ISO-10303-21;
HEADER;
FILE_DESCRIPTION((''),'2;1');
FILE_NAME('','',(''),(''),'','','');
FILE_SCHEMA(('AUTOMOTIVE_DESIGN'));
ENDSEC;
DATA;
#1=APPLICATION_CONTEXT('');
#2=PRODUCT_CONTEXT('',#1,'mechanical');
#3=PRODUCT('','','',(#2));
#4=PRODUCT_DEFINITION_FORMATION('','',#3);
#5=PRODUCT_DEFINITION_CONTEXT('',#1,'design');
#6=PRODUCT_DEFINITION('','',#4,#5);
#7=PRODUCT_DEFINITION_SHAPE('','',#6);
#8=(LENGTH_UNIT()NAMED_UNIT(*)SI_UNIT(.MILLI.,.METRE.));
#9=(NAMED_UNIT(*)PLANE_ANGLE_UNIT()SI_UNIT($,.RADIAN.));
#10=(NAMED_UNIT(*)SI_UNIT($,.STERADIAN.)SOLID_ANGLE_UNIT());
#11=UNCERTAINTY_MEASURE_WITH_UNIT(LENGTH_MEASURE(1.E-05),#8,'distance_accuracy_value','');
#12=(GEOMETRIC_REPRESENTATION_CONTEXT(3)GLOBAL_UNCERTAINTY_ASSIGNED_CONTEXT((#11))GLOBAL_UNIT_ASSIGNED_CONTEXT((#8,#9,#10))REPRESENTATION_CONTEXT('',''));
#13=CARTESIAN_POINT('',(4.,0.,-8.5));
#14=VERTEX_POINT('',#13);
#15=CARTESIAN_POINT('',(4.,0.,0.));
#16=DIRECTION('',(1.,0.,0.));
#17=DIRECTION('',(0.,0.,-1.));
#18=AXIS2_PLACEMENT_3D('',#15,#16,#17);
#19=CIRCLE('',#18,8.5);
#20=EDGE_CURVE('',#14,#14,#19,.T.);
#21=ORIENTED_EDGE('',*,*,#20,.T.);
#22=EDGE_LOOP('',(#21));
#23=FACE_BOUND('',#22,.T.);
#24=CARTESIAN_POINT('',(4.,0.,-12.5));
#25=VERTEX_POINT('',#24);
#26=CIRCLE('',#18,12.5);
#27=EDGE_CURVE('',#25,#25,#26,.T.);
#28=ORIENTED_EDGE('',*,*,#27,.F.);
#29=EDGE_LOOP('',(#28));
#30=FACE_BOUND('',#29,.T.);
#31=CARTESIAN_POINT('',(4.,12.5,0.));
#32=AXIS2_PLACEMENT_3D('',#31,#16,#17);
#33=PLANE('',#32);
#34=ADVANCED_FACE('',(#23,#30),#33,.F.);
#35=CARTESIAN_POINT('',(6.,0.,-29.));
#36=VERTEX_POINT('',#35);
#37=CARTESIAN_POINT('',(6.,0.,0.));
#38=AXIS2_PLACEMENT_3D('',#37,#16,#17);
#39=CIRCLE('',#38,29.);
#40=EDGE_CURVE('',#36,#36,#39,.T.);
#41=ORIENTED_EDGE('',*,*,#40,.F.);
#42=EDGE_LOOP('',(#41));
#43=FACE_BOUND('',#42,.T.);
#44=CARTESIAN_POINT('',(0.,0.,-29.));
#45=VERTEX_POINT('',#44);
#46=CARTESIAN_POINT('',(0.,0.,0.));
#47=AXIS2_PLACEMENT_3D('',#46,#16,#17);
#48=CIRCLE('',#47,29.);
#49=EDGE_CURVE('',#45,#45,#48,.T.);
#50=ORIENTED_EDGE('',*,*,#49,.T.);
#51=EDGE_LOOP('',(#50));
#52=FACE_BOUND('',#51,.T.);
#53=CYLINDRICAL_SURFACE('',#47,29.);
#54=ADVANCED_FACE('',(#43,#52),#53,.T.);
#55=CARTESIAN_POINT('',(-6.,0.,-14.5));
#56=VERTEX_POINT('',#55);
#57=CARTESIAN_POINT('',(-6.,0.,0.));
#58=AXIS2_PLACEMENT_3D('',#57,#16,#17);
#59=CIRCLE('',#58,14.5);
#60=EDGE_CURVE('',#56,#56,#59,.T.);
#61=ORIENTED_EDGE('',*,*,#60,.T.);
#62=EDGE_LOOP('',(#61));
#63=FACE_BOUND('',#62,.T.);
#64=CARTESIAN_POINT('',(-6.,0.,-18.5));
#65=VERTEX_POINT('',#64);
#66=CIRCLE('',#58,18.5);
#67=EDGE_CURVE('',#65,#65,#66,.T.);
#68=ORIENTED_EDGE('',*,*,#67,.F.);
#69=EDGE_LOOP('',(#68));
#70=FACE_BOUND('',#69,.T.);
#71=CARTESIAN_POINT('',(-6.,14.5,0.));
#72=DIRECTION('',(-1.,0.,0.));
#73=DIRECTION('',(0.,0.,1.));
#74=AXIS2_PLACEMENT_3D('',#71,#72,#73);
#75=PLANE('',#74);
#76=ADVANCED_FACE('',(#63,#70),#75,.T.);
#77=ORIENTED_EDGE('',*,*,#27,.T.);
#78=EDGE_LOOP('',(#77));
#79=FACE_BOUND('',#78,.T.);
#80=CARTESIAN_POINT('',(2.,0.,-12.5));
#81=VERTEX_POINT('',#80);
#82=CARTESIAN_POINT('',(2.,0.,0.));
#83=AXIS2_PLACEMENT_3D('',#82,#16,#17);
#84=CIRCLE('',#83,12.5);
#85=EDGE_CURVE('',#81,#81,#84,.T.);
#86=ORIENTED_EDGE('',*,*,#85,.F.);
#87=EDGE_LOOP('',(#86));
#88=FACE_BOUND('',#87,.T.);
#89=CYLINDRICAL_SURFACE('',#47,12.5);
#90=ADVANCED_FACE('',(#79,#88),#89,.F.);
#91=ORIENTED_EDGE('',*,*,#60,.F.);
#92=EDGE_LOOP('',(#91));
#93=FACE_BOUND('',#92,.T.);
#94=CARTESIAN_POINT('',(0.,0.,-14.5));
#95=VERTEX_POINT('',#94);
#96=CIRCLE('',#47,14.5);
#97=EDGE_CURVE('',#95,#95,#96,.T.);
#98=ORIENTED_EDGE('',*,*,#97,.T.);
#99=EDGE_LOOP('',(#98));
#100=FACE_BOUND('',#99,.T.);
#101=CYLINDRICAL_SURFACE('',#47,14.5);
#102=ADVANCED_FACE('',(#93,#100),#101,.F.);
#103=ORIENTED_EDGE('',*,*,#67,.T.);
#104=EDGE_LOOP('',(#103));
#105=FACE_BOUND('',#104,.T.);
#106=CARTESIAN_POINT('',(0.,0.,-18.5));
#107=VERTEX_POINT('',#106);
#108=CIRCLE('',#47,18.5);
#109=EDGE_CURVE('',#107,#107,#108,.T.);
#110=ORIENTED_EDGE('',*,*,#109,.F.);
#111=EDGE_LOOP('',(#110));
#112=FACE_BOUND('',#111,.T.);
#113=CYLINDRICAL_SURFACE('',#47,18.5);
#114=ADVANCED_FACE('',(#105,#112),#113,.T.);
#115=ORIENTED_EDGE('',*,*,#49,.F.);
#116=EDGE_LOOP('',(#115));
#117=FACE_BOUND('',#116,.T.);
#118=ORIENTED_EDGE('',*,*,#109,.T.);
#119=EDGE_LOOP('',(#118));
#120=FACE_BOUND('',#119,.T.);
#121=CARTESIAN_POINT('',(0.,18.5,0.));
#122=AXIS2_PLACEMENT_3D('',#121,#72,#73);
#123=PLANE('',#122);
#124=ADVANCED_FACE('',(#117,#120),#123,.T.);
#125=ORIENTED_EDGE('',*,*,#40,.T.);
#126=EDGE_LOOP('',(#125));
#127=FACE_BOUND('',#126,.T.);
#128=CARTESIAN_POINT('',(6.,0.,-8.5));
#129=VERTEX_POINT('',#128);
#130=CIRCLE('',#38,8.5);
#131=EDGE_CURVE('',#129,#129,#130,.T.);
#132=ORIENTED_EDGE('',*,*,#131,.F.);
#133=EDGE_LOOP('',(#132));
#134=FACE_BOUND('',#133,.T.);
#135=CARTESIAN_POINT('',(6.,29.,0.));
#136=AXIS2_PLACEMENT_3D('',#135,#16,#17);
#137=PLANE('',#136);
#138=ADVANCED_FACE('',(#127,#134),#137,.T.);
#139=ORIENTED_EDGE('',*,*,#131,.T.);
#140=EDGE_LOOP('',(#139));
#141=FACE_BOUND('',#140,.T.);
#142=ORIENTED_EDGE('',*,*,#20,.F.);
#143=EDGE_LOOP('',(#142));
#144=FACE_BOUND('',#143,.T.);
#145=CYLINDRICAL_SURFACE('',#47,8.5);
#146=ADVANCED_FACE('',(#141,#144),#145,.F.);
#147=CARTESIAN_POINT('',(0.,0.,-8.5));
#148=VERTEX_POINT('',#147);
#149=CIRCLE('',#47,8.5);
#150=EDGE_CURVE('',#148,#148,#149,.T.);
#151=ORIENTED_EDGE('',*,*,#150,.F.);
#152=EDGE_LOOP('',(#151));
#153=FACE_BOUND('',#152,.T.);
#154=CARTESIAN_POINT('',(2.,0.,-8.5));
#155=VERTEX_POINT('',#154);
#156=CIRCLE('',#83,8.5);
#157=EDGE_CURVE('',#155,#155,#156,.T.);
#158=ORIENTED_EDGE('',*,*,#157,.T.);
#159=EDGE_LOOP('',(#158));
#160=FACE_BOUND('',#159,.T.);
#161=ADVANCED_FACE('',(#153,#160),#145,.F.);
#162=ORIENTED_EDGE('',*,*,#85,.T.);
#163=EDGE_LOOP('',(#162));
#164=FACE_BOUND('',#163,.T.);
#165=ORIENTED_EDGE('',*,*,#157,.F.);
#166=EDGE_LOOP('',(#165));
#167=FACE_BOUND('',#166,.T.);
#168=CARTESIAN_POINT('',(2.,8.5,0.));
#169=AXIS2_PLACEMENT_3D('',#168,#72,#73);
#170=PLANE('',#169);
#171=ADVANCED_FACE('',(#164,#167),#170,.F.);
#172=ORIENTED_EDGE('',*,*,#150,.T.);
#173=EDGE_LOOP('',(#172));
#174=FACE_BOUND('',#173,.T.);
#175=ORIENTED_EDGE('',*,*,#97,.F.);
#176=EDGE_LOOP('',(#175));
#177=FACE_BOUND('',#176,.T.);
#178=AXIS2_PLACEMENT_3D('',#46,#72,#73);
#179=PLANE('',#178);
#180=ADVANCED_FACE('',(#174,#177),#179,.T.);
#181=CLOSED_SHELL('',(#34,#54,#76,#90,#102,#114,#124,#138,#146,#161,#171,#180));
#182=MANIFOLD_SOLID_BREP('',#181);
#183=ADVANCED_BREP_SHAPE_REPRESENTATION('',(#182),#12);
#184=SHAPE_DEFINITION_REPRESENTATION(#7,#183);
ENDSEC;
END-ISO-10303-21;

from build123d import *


with BuildPart() as part:
    # 草图1 → 旋转1 (revolve)
    with BuildSketch(Plane.XY, mode=Mode.PRIVATE) as revolve_1_sk:
        Polygon((0, 0), (0, 14.5), (-6, 14.5), (-6, 18.5), (0, 18.5), (0, 29), (6, 29), (6, 0), align=None)
    revolve(revolve_1_sk.sketch.rotate(Axis((0, 0, 0), (-1, 0, 0)), 90), axis=Axis((0, 0, 0), (-1, 0, 0)))

    # 草图2 → 切除-旋转1 (revolve, cut)
    with BuildSketch(Plane.XY, mode=Mode.PRIVATE) as cut_revolve_1_sk:
        Polygon((0, 0), (0, 8.5), (2, 8.5), (2, 12.5), (4, 12.5), (4, 8.5), (6, 8.5), (6, 0), align=None)
    revolve(cut_revolve_1_sk.sketch.rotate(Axis((0, 0, 0), (-1, 0, 0)), 90), axis=Axis((0, 0, 0), (-1, 0, 0)), mode=Mode.SUBTRACT)


solid = part.part
